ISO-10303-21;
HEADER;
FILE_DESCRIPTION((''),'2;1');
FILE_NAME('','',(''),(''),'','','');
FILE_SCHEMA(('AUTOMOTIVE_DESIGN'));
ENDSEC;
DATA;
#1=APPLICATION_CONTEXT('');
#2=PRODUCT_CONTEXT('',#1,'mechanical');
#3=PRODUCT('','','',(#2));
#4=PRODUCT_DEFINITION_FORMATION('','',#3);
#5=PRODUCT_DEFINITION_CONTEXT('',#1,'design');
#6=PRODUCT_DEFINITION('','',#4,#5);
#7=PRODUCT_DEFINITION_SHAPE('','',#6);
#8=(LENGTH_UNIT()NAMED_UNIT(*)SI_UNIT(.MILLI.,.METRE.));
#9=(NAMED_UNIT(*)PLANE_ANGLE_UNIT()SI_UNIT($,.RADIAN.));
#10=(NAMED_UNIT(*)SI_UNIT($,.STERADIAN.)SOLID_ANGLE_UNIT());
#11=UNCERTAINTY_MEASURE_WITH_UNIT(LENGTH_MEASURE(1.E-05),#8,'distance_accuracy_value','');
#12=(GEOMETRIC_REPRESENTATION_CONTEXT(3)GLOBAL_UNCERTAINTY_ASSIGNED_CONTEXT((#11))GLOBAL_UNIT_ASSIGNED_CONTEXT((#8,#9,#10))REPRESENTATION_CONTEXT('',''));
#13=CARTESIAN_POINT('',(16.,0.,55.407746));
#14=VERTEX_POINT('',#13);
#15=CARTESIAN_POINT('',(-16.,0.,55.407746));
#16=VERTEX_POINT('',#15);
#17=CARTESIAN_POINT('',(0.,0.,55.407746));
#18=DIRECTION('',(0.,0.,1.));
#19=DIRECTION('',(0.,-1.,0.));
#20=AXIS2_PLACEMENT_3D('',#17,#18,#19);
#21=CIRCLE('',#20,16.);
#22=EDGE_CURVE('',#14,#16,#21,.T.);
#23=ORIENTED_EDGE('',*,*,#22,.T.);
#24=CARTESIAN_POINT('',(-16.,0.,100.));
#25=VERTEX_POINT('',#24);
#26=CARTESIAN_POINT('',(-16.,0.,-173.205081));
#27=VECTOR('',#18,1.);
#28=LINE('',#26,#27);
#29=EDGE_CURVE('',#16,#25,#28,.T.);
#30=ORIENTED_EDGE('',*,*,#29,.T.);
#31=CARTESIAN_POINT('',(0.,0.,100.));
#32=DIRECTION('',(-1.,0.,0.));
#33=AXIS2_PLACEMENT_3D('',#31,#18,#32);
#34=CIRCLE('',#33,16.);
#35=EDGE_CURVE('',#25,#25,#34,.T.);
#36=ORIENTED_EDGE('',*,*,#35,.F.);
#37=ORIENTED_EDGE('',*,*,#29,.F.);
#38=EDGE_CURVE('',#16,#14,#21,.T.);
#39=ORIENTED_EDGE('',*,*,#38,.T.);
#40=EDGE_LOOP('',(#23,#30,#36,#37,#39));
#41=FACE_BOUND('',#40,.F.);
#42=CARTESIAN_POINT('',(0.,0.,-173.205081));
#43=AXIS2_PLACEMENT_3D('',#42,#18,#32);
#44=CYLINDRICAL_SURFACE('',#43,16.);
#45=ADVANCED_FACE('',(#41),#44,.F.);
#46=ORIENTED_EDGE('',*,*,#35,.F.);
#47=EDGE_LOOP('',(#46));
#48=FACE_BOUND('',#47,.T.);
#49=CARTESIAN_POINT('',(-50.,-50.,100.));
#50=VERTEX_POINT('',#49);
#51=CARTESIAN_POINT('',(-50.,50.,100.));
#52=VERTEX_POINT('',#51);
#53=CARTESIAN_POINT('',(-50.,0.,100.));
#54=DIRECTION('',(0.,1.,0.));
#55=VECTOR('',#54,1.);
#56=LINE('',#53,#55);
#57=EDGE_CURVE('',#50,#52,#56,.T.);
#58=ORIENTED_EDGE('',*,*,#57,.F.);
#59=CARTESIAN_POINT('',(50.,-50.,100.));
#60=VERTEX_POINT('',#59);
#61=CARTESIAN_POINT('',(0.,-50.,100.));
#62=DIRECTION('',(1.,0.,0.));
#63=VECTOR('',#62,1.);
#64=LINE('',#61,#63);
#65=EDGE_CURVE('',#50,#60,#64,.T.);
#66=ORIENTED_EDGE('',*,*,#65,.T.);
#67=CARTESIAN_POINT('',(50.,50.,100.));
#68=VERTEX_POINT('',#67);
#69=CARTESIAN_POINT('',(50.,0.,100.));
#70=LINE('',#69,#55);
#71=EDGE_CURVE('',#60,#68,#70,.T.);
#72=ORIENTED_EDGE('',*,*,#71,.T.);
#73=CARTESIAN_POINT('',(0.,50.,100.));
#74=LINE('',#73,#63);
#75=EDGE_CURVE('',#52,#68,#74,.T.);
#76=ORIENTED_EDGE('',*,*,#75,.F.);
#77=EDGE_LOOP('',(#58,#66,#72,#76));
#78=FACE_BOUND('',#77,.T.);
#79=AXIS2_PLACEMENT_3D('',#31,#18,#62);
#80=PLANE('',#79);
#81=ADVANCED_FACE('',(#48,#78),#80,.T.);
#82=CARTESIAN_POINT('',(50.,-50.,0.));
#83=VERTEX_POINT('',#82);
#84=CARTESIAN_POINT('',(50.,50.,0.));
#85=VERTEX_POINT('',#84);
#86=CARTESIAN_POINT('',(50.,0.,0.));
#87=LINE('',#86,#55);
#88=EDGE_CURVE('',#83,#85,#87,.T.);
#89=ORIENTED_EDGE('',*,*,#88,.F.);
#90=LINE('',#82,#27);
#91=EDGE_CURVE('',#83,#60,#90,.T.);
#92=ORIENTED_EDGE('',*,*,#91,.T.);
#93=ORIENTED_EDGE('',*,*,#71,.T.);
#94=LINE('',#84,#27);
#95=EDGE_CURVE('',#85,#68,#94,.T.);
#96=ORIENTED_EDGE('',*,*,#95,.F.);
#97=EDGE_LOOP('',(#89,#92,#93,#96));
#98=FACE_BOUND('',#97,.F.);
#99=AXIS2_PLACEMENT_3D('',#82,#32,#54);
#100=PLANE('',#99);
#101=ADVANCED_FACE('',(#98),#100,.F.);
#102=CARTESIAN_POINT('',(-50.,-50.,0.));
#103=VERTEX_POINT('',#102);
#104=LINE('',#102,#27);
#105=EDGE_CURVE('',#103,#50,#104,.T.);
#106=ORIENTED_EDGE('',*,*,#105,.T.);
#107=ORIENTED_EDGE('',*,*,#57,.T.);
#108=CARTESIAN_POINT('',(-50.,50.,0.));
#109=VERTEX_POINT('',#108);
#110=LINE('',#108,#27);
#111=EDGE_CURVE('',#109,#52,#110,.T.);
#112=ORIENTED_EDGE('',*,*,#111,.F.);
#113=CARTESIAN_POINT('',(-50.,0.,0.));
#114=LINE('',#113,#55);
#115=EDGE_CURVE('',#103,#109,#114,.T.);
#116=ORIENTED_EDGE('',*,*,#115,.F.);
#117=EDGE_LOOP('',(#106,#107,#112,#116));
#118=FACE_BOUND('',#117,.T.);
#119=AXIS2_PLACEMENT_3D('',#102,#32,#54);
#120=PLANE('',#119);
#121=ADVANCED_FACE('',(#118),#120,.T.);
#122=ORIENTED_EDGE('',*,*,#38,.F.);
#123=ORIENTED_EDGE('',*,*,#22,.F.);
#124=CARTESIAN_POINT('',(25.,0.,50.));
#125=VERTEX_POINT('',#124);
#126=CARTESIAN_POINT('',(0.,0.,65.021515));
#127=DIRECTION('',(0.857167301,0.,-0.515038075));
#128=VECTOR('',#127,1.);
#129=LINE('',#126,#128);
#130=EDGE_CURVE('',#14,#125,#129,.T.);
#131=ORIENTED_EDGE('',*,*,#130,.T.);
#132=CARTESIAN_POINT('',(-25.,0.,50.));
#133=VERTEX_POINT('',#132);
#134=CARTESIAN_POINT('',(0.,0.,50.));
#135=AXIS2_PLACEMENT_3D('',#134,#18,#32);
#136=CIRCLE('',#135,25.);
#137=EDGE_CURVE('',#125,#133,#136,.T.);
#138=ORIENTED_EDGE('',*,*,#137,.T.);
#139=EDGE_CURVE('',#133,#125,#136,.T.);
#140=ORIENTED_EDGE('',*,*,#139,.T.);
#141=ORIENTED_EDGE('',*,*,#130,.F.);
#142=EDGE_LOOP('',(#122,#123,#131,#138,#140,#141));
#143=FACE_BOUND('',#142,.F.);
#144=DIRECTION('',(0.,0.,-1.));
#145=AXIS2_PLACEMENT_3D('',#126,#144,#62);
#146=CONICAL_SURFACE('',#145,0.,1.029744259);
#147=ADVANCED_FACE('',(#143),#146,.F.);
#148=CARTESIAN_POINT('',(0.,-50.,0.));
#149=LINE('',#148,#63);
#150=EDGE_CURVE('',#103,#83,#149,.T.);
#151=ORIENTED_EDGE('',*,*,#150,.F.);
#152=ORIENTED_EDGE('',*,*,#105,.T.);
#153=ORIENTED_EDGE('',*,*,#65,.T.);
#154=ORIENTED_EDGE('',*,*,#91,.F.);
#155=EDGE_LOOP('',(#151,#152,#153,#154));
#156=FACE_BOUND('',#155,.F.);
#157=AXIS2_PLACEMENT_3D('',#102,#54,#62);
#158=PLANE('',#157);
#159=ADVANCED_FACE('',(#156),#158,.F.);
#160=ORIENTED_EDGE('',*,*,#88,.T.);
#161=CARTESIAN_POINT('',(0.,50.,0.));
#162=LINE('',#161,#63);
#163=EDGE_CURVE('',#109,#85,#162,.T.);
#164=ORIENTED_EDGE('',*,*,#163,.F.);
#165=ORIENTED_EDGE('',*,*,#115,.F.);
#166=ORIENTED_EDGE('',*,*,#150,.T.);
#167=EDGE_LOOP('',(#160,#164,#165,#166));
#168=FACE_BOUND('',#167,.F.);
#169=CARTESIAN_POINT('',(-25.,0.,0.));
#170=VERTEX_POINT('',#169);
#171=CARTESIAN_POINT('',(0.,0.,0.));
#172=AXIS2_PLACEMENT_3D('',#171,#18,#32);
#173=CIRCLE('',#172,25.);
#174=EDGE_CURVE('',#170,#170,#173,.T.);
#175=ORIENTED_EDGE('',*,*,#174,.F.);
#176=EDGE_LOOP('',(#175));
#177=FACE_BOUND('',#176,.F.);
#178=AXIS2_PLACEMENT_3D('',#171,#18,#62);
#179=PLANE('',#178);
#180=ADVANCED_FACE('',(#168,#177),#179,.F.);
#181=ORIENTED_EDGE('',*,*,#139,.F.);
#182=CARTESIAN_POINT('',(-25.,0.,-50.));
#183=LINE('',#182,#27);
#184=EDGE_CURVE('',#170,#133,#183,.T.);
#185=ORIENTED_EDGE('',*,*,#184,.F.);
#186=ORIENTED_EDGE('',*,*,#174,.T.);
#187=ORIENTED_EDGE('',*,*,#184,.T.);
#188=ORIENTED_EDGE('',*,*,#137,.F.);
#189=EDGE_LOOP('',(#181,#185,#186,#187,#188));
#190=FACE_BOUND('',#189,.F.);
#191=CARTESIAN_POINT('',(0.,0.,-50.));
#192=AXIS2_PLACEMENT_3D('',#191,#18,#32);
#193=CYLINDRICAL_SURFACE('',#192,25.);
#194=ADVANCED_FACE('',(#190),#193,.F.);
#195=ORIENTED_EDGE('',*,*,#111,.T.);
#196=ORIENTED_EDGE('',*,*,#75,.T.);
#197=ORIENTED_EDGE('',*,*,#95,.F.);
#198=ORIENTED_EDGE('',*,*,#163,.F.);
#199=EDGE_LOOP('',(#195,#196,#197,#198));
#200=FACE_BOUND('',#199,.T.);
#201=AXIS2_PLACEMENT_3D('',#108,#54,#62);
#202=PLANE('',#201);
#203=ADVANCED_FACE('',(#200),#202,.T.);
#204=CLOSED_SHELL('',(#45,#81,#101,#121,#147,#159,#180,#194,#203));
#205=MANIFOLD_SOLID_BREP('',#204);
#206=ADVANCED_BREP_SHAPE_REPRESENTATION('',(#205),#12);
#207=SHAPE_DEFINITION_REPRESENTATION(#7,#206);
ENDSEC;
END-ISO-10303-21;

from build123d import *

# Parameters (mm, degrees)
F0_W     = 100
F0_H     = 100
F1_DEPTH = 100
F2_D     = 32
F3_D     = 50
F3_DEPTH = 50
F3_TIP   = 15.0215154757


with BuildPart() as f1:
    # F0 (on Top) → F1 (new body)
    with BuildSketch(Plane.XY):
        Rectangle(F0_W, F0_H)
    extrude(amount=F1_DEPTH)

    # F2 (through all)
    with Locations(Plane(origin=(0, 0, 0), x_dir=(1, 0, 0), z_dir=(0, 0, -1))):
        with Locations((0, 0)):
            Hole(F2_D / 2)

    # F3
    with Locations(Plane(origin=(0, 0, 0), x_dir=(1, 0, 0), z_dir=(0, 0, -1))):
        with Locations((0, 0)):
            Hole(F3_D / 2, depth=F3_DEPTH)
            with Locations((0, 0, -(F3_DEPTH + F3_TIP / 2))):  # 118° drill point
                Cone(0, F3_D / 2, F3_TIP, mode=Mode.SUBTRACT)


solid = f1.part
